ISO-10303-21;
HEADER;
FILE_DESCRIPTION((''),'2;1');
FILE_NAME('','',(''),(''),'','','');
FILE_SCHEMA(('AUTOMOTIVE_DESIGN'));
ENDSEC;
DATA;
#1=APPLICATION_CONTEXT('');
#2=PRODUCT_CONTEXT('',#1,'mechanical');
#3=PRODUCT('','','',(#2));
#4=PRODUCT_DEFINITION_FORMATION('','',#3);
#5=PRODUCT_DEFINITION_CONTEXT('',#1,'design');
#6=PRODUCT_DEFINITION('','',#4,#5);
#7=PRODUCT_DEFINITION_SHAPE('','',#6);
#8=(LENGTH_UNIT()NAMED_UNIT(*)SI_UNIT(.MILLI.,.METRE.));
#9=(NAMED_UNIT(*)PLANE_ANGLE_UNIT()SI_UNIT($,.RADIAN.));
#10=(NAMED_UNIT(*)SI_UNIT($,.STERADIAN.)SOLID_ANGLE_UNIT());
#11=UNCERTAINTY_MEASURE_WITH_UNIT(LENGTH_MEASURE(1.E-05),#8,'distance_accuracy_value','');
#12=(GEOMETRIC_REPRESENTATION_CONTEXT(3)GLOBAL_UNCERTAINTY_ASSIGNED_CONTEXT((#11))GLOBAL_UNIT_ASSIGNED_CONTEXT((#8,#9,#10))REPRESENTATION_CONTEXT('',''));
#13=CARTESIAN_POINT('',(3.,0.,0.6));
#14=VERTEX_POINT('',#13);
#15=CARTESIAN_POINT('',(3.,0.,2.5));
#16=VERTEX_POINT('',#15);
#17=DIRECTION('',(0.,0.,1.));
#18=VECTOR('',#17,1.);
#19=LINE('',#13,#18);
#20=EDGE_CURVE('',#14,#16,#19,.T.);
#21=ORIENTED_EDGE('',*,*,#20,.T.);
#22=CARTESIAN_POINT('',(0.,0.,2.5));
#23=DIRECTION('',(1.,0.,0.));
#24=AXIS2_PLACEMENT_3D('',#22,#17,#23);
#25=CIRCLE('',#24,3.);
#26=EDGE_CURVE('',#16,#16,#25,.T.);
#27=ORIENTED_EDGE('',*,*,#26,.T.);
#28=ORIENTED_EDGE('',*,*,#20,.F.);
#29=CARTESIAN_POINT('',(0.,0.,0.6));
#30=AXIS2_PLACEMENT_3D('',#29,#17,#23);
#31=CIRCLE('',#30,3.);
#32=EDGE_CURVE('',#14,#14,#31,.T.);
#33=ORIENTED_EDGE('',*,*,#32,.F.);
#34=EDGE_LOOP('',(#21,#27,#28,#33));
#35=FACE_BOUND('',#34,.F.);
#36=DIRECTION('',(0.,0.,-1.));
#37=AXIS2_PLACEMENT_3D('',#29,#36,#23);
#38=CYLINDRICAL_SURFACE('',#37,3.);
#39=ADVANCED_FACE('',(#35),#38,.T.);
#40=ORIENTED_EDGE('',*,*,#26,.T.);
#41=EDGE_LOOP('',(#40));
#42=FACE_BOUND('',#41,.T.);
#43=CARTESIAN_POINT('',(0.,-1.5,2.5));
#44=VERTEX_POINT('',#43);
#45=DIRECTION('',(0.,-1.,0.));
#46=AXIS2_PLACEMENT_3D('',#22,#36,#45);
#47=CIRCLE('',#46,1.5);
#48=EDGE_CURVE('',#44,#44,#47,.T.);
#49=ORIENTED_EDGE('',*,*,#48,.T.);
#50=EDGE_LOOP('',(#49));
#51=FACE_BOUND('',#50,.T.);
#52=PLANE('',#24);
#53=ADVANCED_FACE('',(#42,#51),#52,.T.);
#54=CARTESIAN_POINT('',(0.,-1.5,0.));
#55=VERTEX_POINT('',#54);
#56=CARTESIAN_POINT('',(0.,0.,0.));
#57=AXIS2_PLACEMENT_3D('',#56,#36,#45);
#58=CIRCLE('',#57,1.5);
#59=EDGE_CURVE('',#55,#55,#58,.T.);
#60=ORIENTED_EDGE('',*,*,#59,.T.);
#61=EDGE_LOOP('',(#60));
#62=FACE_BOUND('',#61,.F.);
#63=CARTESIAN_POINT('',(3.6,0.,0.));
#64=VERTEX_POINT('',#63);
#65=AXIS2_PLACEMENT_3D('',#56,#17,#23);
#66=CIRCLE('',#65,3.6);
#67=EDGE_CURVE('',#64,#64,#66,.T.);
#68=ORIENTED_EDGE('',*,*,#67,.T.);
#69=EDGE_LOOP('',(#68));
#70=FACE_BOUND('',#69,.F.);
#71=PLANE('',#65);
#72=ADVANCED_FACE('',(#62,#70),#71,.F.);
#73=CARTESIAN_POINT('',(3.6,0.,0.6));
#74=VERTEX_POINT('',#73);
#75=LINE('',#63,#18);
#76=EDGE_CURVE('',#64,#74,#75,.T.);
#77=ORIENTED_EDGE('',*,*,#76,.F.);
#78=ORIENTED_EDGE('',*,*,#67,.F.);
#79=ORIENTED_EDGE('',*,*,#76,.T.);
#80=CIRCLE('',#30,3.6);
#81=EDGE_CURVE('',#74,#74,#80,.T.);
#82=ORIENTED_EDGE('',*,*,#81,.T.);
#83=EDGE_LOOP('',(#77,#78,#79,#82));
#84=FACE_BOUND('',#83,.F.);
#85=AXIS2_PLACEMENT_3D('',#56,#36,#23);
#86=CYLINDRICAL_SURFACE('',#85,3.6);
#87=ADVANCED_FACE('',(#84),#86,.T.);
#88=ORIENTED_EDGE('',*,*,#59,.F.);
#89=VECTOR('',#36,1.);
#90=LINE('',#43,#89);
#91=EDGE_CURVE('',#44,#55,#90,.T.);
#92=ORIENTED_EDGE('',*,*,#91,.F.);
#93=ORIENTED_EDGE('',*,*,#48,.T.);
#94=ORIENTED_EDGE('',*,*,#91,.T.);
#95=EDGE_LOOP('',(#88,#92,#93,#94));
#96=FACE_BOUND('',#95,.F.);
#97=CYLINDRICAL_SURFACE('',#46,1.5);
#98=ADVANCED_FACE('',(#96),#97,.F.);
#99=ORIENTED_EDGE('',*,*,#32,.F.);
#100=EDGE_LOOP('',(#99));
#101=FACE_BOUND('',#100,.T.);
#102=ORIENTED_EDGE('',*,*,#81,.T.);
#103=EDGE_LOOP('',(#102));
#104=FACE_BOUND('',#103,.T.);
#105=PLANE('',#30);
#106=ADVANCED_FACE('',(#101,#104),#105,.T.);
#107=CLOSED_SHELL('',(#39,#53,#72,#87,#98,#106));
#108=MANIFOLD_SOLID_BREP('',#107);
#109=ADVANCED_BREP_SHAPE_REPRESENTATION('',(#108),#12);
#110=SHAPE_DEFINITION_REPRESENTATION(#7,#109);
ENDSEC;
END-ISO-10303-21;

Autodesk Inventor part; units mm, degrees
ref_plane "YZ Plane" through (0, 0, 0) normal (1, 0, 0) x (0, 1, 0)
ref_plane "XZ Plane" through (0, 0, 0) normal (0, 1, 0) x (-1, 0, 0)
ref_plane "XY Plane" through (0, 0, 0) normal (0, 0, 1) x (1, 0, 0)
sketch "スケッチ1" plane through (0, 0, 0) normal (0, 0, 1) x (1, 0, 0)
  circle A0 centre (0, 0) radius 3.6
  dimension "d0" = 7.2
extrude "押し出し1" add sketch "スケッチ1" along normal blind 0.6
sketch "スケッチ2" plane through (0, 0, 0.6) normal (0, 0, 1) x (1, 0, 0)
  circle A0 centre (0, 0) radius 3
  dimension "d3" = 6
extrude "押し出し2" add sketch "スケッチ2" along normal blind 1.9
sketch "スケッチ3" plane through (0, 0, 2.5) normal (0, 0, 1) x (1, 0, 0)
  point P0 (0, 0)
hole "穴1" at (0, 0, 2.5) direction (0, 0, -1) diameter 3 depth 15
properties part number "ベアリング"
